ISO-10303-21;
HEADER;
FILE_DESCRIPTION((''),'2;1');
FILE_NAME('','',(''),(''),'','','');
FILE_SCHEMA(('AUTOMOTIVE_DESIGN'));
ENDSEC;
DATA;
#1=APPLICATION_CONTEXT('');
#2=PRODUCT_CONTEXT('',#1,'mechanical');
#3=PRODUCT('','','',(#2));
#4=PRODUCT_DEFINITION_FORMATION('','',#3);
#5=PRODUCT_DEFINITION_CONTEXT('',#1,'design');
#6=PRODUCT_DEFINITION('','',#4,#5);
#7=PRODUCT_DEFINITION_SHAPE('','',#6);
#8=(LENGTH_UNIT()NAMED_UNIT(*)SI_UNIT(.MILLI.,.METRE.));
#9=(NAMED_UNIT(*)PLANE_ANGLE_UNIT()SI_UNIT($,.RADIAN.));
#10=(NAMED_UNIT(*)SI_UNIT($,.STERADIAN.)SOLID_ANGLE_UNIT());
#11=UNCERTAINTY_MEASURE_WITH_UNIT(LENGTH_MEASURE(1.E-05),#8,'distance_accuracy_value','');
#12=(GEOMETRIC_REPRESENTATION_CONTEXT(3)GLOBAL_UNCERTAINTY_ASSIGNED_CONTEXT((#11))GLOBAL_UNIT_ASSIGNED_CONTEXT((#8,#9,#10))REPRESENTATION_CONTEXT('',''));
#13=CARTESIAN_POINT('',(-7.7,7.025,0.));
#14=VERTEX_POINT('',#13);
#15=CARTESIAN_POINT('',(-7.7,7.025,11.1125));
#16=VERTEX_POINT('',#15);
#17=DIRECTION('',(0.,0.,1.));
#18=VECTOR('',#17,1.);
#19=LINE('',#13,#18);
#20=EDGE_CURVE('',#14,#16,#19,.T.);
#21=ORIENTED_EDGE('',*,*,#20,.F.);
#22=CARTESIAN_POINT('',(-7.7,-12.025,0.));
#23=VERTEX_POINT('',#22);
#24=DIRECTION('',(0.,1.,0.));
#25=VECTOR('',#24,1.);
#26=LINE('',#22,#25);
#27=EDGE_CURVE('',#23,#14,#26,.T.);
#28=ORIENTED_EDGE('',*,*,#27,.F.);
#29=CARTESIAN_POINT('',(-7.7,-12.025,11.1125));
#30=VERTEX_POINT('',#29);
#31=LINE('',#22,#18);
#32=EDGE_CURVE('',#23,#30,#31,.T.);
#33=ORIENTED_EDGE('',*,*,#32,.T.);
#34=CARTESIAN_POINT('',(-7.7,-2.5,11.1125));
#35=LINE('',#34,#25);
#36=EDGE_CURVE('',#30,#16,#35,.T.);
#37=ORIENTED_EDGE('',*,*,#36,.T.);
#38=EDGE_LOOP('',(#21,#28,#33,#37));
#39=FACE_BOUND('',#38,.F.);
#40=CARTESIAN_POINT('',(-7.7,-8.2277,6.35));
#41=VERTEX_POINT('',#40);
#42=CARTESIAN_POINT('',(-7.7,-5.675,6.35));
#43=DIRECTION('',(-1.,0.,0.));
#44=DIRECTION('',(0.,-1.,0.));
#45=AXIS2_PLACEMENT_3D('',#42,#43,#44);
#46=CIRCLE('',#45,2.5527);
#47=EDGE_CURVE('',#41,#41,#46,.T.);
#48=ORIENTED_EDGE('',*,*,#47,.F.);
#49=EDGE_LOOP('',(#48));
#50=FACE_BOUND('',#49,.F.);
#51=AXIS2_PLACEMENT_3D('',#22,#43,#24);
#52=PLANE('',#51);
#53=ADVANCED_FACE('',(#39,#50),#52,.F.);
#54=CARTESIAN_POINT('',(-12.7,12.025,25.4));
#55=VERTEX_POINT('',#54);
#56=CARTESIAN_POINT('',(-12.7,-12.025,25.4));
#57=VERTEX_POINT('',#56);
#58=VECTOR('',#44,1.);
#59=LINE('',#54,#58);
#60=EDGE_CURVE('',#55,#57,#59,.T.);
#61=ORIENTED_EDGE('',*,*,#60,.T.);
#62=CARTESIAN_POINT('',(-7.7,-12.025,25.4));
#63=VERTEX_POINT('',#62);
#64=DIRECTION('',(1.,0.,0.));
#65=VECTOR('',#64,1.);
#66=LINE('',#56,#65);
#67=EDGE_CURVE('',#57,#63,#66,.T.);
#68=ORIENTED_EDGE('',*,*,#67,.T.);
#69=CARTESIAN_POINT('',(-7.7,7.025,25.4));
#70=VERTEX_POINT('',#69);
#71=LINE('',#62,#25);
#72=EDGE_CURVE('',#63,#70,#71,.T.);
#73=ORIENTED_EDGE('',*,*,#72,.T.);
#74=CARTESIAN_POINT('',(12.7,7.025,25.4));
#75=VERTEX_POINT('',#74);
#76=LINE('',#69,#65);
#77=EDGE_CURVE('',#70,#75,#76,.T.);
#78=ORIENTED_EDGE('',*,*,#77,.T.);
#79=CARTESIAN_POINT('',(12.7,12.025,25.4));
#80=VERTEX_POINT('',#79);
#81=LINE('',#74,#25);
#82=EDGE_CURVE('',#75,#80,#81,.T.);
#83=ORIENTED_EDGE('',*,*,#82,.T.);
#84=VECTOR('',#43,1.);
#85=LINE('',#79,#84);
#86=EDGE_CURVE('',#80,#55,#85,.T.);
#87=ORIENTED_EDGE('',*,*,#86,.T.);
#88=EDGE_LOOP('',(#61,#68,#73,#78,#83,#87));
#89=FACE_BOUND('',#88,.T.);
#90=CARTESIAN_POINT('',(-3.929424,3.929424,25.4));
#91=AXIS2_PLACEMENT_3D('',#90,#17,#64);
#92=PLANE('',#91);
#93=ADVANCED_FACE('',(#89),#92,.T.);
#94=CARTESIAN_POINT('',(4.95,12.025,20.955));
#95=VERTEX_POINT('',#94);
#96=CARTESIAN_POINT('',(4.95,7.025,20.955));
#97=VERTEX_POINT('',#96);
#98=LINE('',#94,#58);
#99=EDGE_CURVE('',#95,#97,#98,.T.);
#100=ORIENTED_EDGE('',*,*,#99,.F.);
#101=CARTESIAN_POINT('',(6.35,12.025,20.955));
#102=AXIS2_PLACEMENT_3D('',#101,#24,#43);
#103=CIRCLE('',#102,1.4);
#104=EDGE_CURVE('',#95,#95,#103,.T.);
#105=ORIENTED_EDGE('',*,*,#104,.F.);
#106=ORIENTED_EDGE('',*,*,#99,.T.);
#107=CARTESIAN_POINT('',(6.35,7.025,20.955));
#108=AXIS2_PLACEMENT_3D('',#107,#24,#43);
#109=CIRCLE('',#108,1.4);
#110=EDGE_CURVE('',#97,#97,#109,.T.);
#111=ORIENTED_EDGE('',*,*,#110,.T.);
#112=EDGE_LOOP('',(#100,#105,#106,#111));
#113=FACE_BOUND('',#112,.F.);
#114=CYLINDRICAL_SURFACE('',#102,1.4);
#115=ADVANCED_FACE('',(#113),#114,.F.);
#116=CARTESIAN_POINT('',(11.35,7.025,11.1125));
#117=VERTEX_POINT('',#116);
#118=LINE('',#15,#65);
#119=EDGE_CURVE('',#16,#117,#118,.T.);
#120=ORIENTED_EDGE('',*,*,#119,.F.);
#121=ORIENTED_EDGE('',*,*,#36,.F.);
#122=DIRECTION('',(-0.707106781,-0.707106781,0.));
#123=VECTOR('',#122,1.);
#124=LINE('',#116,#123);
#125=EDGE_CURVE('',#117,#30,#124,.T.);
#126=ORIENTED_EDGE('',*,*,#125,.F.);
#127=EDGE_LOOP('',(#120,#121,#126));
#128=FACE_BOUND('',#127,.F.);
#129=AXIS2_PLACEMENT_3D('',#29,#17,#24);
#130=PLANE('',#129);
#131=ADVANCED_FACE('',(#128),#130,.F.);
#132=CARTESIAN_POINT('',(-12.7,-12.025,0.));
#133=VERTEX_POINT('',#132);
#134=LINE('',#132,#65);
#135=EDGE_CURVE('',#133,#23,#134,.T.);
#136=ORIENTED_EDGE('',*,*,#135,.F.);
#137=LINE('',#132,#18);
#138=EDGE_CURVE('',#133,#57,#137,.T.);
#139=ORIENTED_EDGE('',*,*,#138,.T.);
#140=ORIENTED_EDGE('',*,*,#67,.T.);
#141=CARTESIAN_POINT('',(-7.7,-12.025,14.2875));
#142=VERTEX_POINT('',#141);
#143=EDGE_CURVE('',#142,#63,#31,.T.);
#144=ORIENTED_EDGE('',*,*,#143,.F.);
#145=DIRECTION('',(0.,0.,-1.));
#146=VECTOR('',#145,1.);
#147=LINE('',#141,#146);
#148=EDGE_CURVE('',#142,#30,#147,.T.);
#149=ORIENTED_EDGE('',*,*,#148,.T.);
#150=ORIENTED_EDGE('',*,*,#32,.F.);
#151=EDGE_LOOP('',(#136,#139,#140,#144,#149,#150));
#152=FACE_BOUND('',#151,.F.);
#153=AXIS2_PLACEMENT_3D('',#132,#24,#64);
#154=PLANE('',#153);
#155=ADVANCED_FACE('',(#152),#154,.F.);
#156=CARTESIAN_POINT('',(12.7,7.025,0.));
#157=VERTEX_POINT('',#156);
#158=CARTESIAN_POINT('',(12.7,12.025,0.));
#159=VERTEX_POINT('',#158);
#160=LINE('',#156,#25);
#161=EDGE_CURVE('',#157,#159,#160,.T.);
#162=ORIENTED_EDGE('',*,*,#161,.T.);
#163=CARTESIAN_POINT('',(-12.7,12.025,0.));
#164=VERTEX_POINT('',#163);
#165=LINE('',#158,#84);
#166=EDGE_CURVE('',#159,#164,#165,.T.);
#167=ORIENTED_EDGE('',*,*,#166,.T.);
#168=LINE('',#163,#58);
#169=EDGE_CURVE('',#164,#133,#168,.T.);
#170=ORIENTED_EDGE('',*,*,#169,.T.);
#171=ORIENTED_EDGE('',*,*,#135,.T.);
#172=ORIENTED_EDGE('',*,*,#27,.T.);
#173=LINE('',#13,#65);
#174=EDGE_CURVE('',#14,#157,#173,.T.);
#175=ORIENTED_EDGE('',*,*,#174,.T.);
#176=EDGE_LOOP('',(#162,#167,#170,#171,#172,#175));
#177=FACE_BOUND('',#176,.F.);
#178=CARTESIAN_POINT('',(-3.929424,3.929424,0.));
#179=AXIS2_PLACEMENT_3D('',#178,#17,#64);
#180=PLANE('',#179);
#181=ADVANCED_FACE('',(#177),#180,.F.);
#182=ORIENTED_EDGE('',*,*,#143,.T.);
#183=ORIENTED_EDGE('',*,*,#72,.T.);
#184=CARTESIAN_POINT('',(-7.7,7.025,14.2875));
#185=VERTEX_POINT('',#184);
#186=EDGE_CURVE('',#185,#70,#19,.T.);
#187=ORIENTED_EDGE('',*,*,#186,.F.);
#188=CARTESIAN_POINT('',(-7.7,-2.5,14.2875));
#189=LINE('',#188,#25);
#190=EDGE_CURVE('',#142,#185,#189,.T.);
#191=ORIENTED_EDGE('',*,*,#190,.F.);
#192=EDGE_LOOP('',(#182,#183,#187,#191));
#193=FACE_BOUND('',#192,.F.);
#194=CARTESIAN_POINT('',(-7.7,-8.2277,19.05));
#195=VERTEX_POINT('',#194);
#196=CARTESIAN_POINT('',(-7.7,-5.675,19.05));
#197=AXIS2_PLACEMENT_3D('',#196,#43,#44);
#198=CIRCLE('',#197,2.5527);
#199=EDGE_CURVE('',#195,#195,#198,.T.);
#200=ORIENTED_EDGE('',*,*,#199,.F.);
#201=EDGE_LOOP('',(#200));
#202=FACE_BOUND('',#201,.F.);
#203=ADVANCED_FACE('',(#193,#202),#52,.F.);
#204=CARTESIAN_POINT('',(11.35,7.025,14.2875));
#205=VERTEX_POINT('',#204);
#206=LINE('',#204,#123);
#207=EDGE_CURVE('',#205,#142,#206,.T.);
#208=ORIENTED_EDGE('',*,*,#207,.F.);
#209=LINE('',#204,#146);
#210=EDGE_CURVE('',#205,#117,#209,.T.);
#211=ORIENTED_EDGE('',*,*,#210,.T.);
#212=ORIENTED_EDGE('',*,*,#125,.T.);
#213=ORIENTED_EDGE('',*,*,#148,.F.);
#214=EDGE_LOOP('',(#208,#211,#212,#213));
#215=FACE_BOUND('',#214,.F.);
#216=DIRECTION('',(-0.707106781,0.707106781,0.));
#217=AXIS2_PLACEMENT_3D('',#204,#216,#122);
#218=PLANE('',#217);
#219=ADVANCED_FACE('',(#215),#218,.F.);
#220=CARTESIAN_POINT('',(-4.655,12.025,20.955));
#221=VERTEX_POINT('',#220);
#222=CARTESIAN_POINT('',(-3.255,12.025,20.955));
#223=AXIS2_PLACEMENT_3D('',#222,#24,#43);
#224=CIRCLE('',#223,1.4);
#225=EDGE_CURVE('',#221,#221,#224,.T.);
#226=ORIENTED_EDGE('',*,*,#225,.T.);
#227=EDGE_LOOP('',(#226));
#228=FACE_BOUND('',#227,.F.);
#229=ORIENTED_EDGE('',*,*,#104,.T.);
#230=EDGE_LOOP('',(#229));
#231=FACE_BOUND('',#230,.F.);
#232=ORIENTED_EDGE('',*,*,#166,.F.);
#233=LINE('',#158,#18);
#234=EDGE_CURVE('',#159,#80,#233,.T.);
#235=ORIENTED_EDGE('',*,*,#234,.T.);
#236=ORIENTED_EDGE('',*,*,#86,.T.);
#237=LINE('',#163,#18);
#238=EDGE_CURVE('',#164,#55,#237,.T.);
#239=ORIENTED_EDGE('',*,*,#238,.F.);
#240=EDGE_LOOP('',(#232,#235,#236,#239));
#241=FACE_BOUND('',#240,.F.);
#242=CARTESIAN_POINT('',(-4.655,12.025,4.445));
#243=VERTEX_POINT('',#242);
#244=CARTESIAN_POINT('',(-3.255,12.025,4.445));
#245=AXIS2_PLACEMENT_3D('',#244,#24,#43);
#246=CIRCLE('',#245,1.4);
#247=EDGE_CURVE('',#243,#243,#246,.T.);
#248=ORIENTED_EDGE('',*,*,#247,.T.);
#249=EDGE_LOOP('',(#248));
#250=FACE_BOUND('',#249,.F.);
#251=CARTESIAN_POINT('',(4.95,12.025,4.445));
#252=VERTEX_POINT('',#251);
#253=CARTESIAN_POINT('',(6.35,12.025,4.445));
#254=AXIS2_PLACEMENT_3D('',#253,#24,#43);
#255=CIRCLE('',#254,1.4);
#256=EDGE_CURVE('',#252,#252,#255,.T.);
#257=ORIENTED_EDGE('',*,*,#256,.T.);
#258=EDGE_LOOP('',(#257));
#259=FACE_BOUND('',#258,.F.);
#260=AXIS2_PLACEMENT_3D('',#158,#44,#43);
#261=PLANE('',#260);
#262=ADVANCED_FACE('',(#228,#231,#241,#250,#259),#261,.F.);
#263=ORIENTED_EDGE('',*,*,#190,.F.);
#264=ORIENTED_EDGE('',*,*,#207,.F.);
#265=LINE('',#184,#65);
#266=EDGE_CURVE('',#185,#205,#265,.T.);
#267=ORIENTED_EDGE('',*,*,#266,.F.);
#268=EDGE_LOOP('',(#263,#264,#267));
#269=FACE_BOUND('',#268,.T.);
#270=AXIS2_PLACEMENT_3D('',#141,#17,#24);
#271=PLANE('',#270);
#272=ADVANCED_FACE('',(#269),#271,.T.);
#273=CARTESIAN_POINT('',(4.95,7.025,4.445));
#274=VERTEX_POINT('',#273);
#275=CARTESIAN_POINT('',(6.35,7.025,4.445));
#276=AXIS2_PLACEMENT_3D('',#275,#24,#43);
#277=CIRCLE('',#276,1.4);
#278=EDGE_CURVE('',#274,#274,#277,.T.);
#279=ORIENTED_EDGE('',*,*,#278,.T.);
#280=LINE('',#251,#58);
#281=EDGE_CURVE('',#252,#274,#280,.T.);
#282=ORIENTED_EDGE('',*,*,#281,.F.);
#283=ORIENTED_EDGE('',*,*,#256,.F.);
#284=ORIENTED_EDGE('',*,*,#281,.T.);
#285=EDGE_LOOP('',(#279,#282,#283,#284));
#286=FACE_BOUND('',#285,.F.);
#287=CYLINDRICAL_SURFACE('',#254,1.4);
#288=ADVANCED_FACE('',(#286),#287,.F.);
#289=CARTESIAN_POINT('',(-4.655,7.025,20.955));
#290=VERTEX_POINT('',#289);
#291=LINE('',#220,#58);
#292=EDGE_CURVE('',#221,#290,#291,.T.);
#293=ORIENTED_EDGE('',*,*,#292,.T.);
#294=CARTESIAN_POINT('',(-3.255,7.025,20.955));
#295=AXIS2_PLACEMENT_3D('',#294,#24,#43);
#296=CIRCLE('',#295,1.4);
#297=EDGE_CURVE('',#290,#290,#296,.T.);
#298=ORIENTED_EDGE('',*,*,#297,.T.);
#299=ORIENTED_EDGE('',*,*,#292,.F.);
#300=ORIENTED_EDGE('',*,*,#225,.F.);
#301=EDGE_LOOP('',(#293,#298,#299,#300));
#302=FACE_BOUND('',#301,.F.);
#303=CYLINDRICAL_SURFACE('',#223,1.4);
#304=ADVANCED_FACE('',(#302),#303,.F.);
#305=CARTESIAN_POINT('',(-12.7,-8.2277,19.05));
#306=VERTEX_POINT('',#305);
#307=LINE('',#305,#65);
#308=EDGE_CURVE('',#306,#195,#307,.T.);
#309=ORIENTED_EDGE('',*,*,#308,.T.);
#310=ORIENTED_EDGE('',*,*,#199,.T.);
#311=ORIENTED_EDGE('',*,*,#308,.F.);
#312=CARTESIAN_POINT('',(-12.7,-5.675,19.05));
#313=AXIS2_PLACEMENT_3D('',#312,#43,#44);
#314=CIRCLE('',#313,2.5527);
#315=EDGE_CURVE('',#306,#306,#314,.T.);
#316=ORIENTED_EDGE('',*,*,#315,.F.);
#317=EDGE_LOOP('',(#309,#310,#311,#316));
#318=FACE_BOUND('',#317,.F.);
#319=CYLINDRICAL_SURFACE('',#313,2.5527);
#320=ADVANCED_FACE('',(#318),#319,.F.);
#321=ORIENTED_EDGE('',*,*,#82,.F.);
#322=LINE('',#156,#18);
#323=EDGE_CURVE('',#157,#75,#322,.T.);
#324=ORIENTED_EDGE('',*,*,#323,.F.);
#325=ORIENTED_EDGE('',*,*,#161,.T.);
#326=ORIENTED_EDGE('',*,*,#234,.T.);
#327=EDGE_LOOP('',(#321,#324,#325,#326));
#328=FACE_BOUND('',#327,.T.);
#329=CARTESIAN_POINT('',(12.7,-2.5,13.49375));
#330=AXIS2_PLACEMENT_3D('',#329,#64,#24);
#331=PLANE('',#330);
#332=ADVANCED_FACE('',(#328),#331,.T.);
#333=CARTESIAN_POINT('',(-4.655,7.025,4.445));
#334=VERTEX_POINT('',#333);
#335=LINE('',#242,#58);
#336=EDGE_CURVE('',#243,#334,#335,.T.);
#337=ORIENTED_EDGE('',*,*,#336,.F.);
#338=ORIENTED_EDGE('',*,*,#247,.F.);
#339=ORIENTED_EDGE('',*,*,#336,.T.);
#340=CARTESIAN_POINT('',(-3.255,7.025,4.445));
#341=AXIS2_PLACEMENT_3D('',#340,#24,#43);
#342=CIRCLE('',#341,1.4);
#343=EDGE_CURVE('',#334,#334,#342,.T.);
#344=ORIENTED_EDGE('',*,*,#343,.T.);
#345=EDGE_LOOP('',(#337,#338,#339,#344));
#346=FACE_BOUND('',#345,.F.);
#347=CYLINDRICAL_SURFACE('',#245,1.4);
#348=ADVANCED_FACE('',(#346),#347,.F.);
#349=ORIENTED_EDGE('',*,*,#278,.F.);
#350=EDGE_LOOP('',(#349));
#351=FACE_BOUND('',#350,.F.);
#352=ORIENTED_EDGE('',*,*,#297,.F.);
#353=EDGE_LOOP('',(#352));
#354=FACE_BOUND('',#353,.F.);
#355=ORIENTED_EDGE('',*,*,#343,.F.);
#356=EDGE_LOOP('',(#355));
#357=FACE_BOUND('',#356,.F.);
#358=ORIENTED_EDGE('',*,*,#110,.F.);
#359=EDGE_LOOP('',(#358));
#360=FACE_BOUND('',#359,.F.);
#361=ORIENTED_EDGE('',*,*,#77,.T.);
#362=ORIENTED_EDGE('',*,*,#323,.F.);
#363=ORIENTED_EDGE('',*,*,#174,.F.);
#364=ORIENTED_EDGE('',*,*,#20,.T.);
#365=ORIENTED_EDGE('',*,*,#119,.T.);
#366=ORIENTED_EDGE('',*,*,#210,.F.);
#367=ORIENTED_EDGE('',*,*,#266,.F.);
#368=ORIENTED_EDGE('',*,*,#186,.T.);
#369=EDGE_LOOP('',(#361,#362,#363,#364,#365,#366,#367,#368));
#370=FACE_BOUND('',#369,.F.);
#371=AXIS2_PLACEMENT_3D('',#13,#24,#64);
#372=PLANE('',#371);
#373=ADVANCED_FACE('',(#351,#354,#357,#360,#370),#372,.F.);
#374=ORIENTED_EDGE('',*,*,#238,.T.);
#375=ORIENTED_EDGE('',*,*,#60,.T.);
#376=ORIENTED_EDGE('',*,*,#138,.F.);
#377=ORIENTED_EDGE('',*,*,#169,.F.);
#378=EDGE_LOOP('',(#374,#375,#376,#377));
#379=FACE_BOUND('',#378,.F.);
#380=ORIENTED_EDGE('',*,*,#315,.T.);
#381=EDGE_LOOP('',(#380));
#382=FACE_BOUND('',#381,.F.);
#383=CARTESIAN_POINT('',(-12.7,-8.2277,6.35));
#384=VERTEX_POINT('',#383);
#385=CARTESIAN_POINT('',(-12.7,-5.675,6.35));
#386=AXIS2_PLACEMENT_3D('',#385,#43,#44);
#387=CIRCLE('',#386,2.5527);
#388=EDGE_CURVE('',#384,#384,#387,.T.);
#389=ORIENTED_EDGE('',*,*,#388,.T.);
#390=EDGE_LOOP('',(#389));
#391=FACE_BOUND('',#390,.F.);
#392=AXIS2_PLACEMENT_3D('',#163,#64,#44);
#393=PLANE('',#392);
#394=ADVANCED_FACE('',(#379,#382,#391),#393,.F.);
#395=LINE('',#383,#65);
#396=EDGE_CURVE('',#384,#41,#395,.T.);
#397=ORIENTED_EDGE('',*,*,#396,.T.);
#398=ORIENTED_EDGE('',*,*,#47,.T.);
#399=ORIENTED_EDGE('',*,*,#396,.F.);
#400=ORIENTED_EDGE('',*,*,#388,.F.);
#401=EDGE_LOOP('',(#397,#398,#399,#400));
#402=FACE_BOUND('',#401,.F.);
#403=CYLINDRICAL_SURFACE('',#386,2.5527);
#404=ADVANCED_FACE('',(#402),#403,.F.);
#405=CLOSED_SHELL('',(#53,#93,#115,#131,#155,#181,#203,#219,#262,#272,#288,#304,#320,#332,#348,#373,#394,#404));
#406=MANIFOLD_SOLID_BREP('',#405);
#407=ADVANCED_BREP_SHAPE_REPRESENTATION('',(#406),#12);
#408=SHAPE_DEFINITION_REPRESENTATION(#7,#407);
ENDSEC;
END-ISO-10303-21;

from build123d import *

# Parameters (mm, degrees)
F1_DEPTH = 25.4
F2_W     = 19.05
F2_H     = 1.5875
F3_DEPTH = 20.4
F5_DEPTH = 3.175
F6_R     = 1.4
F7_DEPTH = 5
F8_R     = 2.5527
F9_DEPTH = 5


with BuildPart() as f1:
    # F0 (on Top) → F1 (new body)
    with BuildSketch(Plane.XY):
        Polygon((-12.7, -12.025), (-7.7, -12.025), (-7.7, 7.025), (12.7, 7.025), (12.7, 12.025), (-12.7, 12.025), align=None)
    extrude(amount=F1_DEPTH)

    # F2 (on face) → F3 (join)
    with BuildSketch(Plane.YZ.offset(-7.7)):
        with Locations((-2.5, 13.49375)):
            Rectangle(F2_W, F2_H)
        with Locations((-2.5, 11.90625)):
            Rectangle(F2_W, F2_H)
    extrude(amount=F3_DEPTH)

    # F4 (on face) → F5 (cut, through all)
    with BuildSketch(Plane.XY.offset(14.2875)):
        Polygon((-7.7, -12.025), (12.7, -12.025), (12.7, 7.025), (11.35, 7.025), align=None)
    extrude(amount=-F5_DEPTH, mode=Mode.SUBTRACT)

    # F6 (on face) → F7 (cut, through all)
    with BuildSketch(Plane(origin=(0, 12.025, 0), x_dir=(-1, 0, 0), z_dir=(0, 1, 0))):
        with Locations((-6.35, 4.445)):
            Circle(F6_R)
        with Locations((-6.35, 20.955)):
            Circle(F6_R)
        with Locations((3.255, 20.955)):
            Circle(F6_R)
        with Locations((3.255, 4.445)):
            Circle(F6_R)
    extrude(amount=-F7_DEPTH, mode=Mode.SUBTRACT)

    # F8 (on face) → F9 (cut, through all)
    with BuildSketch(Plane(origin=(-12.7, 0, 0), x_dir=(0, -1, 0), z_dir=(-1, 0, 0))):
        with Locations((5.675, 19.05)):
            Circle(F8_R)
        with Locations((5.675, 6.35)):
            Circle(F8_R)
    extrude(amount=-F9_DEPTH, mode=Mode.SUBTRACT)


solid = f1.part
